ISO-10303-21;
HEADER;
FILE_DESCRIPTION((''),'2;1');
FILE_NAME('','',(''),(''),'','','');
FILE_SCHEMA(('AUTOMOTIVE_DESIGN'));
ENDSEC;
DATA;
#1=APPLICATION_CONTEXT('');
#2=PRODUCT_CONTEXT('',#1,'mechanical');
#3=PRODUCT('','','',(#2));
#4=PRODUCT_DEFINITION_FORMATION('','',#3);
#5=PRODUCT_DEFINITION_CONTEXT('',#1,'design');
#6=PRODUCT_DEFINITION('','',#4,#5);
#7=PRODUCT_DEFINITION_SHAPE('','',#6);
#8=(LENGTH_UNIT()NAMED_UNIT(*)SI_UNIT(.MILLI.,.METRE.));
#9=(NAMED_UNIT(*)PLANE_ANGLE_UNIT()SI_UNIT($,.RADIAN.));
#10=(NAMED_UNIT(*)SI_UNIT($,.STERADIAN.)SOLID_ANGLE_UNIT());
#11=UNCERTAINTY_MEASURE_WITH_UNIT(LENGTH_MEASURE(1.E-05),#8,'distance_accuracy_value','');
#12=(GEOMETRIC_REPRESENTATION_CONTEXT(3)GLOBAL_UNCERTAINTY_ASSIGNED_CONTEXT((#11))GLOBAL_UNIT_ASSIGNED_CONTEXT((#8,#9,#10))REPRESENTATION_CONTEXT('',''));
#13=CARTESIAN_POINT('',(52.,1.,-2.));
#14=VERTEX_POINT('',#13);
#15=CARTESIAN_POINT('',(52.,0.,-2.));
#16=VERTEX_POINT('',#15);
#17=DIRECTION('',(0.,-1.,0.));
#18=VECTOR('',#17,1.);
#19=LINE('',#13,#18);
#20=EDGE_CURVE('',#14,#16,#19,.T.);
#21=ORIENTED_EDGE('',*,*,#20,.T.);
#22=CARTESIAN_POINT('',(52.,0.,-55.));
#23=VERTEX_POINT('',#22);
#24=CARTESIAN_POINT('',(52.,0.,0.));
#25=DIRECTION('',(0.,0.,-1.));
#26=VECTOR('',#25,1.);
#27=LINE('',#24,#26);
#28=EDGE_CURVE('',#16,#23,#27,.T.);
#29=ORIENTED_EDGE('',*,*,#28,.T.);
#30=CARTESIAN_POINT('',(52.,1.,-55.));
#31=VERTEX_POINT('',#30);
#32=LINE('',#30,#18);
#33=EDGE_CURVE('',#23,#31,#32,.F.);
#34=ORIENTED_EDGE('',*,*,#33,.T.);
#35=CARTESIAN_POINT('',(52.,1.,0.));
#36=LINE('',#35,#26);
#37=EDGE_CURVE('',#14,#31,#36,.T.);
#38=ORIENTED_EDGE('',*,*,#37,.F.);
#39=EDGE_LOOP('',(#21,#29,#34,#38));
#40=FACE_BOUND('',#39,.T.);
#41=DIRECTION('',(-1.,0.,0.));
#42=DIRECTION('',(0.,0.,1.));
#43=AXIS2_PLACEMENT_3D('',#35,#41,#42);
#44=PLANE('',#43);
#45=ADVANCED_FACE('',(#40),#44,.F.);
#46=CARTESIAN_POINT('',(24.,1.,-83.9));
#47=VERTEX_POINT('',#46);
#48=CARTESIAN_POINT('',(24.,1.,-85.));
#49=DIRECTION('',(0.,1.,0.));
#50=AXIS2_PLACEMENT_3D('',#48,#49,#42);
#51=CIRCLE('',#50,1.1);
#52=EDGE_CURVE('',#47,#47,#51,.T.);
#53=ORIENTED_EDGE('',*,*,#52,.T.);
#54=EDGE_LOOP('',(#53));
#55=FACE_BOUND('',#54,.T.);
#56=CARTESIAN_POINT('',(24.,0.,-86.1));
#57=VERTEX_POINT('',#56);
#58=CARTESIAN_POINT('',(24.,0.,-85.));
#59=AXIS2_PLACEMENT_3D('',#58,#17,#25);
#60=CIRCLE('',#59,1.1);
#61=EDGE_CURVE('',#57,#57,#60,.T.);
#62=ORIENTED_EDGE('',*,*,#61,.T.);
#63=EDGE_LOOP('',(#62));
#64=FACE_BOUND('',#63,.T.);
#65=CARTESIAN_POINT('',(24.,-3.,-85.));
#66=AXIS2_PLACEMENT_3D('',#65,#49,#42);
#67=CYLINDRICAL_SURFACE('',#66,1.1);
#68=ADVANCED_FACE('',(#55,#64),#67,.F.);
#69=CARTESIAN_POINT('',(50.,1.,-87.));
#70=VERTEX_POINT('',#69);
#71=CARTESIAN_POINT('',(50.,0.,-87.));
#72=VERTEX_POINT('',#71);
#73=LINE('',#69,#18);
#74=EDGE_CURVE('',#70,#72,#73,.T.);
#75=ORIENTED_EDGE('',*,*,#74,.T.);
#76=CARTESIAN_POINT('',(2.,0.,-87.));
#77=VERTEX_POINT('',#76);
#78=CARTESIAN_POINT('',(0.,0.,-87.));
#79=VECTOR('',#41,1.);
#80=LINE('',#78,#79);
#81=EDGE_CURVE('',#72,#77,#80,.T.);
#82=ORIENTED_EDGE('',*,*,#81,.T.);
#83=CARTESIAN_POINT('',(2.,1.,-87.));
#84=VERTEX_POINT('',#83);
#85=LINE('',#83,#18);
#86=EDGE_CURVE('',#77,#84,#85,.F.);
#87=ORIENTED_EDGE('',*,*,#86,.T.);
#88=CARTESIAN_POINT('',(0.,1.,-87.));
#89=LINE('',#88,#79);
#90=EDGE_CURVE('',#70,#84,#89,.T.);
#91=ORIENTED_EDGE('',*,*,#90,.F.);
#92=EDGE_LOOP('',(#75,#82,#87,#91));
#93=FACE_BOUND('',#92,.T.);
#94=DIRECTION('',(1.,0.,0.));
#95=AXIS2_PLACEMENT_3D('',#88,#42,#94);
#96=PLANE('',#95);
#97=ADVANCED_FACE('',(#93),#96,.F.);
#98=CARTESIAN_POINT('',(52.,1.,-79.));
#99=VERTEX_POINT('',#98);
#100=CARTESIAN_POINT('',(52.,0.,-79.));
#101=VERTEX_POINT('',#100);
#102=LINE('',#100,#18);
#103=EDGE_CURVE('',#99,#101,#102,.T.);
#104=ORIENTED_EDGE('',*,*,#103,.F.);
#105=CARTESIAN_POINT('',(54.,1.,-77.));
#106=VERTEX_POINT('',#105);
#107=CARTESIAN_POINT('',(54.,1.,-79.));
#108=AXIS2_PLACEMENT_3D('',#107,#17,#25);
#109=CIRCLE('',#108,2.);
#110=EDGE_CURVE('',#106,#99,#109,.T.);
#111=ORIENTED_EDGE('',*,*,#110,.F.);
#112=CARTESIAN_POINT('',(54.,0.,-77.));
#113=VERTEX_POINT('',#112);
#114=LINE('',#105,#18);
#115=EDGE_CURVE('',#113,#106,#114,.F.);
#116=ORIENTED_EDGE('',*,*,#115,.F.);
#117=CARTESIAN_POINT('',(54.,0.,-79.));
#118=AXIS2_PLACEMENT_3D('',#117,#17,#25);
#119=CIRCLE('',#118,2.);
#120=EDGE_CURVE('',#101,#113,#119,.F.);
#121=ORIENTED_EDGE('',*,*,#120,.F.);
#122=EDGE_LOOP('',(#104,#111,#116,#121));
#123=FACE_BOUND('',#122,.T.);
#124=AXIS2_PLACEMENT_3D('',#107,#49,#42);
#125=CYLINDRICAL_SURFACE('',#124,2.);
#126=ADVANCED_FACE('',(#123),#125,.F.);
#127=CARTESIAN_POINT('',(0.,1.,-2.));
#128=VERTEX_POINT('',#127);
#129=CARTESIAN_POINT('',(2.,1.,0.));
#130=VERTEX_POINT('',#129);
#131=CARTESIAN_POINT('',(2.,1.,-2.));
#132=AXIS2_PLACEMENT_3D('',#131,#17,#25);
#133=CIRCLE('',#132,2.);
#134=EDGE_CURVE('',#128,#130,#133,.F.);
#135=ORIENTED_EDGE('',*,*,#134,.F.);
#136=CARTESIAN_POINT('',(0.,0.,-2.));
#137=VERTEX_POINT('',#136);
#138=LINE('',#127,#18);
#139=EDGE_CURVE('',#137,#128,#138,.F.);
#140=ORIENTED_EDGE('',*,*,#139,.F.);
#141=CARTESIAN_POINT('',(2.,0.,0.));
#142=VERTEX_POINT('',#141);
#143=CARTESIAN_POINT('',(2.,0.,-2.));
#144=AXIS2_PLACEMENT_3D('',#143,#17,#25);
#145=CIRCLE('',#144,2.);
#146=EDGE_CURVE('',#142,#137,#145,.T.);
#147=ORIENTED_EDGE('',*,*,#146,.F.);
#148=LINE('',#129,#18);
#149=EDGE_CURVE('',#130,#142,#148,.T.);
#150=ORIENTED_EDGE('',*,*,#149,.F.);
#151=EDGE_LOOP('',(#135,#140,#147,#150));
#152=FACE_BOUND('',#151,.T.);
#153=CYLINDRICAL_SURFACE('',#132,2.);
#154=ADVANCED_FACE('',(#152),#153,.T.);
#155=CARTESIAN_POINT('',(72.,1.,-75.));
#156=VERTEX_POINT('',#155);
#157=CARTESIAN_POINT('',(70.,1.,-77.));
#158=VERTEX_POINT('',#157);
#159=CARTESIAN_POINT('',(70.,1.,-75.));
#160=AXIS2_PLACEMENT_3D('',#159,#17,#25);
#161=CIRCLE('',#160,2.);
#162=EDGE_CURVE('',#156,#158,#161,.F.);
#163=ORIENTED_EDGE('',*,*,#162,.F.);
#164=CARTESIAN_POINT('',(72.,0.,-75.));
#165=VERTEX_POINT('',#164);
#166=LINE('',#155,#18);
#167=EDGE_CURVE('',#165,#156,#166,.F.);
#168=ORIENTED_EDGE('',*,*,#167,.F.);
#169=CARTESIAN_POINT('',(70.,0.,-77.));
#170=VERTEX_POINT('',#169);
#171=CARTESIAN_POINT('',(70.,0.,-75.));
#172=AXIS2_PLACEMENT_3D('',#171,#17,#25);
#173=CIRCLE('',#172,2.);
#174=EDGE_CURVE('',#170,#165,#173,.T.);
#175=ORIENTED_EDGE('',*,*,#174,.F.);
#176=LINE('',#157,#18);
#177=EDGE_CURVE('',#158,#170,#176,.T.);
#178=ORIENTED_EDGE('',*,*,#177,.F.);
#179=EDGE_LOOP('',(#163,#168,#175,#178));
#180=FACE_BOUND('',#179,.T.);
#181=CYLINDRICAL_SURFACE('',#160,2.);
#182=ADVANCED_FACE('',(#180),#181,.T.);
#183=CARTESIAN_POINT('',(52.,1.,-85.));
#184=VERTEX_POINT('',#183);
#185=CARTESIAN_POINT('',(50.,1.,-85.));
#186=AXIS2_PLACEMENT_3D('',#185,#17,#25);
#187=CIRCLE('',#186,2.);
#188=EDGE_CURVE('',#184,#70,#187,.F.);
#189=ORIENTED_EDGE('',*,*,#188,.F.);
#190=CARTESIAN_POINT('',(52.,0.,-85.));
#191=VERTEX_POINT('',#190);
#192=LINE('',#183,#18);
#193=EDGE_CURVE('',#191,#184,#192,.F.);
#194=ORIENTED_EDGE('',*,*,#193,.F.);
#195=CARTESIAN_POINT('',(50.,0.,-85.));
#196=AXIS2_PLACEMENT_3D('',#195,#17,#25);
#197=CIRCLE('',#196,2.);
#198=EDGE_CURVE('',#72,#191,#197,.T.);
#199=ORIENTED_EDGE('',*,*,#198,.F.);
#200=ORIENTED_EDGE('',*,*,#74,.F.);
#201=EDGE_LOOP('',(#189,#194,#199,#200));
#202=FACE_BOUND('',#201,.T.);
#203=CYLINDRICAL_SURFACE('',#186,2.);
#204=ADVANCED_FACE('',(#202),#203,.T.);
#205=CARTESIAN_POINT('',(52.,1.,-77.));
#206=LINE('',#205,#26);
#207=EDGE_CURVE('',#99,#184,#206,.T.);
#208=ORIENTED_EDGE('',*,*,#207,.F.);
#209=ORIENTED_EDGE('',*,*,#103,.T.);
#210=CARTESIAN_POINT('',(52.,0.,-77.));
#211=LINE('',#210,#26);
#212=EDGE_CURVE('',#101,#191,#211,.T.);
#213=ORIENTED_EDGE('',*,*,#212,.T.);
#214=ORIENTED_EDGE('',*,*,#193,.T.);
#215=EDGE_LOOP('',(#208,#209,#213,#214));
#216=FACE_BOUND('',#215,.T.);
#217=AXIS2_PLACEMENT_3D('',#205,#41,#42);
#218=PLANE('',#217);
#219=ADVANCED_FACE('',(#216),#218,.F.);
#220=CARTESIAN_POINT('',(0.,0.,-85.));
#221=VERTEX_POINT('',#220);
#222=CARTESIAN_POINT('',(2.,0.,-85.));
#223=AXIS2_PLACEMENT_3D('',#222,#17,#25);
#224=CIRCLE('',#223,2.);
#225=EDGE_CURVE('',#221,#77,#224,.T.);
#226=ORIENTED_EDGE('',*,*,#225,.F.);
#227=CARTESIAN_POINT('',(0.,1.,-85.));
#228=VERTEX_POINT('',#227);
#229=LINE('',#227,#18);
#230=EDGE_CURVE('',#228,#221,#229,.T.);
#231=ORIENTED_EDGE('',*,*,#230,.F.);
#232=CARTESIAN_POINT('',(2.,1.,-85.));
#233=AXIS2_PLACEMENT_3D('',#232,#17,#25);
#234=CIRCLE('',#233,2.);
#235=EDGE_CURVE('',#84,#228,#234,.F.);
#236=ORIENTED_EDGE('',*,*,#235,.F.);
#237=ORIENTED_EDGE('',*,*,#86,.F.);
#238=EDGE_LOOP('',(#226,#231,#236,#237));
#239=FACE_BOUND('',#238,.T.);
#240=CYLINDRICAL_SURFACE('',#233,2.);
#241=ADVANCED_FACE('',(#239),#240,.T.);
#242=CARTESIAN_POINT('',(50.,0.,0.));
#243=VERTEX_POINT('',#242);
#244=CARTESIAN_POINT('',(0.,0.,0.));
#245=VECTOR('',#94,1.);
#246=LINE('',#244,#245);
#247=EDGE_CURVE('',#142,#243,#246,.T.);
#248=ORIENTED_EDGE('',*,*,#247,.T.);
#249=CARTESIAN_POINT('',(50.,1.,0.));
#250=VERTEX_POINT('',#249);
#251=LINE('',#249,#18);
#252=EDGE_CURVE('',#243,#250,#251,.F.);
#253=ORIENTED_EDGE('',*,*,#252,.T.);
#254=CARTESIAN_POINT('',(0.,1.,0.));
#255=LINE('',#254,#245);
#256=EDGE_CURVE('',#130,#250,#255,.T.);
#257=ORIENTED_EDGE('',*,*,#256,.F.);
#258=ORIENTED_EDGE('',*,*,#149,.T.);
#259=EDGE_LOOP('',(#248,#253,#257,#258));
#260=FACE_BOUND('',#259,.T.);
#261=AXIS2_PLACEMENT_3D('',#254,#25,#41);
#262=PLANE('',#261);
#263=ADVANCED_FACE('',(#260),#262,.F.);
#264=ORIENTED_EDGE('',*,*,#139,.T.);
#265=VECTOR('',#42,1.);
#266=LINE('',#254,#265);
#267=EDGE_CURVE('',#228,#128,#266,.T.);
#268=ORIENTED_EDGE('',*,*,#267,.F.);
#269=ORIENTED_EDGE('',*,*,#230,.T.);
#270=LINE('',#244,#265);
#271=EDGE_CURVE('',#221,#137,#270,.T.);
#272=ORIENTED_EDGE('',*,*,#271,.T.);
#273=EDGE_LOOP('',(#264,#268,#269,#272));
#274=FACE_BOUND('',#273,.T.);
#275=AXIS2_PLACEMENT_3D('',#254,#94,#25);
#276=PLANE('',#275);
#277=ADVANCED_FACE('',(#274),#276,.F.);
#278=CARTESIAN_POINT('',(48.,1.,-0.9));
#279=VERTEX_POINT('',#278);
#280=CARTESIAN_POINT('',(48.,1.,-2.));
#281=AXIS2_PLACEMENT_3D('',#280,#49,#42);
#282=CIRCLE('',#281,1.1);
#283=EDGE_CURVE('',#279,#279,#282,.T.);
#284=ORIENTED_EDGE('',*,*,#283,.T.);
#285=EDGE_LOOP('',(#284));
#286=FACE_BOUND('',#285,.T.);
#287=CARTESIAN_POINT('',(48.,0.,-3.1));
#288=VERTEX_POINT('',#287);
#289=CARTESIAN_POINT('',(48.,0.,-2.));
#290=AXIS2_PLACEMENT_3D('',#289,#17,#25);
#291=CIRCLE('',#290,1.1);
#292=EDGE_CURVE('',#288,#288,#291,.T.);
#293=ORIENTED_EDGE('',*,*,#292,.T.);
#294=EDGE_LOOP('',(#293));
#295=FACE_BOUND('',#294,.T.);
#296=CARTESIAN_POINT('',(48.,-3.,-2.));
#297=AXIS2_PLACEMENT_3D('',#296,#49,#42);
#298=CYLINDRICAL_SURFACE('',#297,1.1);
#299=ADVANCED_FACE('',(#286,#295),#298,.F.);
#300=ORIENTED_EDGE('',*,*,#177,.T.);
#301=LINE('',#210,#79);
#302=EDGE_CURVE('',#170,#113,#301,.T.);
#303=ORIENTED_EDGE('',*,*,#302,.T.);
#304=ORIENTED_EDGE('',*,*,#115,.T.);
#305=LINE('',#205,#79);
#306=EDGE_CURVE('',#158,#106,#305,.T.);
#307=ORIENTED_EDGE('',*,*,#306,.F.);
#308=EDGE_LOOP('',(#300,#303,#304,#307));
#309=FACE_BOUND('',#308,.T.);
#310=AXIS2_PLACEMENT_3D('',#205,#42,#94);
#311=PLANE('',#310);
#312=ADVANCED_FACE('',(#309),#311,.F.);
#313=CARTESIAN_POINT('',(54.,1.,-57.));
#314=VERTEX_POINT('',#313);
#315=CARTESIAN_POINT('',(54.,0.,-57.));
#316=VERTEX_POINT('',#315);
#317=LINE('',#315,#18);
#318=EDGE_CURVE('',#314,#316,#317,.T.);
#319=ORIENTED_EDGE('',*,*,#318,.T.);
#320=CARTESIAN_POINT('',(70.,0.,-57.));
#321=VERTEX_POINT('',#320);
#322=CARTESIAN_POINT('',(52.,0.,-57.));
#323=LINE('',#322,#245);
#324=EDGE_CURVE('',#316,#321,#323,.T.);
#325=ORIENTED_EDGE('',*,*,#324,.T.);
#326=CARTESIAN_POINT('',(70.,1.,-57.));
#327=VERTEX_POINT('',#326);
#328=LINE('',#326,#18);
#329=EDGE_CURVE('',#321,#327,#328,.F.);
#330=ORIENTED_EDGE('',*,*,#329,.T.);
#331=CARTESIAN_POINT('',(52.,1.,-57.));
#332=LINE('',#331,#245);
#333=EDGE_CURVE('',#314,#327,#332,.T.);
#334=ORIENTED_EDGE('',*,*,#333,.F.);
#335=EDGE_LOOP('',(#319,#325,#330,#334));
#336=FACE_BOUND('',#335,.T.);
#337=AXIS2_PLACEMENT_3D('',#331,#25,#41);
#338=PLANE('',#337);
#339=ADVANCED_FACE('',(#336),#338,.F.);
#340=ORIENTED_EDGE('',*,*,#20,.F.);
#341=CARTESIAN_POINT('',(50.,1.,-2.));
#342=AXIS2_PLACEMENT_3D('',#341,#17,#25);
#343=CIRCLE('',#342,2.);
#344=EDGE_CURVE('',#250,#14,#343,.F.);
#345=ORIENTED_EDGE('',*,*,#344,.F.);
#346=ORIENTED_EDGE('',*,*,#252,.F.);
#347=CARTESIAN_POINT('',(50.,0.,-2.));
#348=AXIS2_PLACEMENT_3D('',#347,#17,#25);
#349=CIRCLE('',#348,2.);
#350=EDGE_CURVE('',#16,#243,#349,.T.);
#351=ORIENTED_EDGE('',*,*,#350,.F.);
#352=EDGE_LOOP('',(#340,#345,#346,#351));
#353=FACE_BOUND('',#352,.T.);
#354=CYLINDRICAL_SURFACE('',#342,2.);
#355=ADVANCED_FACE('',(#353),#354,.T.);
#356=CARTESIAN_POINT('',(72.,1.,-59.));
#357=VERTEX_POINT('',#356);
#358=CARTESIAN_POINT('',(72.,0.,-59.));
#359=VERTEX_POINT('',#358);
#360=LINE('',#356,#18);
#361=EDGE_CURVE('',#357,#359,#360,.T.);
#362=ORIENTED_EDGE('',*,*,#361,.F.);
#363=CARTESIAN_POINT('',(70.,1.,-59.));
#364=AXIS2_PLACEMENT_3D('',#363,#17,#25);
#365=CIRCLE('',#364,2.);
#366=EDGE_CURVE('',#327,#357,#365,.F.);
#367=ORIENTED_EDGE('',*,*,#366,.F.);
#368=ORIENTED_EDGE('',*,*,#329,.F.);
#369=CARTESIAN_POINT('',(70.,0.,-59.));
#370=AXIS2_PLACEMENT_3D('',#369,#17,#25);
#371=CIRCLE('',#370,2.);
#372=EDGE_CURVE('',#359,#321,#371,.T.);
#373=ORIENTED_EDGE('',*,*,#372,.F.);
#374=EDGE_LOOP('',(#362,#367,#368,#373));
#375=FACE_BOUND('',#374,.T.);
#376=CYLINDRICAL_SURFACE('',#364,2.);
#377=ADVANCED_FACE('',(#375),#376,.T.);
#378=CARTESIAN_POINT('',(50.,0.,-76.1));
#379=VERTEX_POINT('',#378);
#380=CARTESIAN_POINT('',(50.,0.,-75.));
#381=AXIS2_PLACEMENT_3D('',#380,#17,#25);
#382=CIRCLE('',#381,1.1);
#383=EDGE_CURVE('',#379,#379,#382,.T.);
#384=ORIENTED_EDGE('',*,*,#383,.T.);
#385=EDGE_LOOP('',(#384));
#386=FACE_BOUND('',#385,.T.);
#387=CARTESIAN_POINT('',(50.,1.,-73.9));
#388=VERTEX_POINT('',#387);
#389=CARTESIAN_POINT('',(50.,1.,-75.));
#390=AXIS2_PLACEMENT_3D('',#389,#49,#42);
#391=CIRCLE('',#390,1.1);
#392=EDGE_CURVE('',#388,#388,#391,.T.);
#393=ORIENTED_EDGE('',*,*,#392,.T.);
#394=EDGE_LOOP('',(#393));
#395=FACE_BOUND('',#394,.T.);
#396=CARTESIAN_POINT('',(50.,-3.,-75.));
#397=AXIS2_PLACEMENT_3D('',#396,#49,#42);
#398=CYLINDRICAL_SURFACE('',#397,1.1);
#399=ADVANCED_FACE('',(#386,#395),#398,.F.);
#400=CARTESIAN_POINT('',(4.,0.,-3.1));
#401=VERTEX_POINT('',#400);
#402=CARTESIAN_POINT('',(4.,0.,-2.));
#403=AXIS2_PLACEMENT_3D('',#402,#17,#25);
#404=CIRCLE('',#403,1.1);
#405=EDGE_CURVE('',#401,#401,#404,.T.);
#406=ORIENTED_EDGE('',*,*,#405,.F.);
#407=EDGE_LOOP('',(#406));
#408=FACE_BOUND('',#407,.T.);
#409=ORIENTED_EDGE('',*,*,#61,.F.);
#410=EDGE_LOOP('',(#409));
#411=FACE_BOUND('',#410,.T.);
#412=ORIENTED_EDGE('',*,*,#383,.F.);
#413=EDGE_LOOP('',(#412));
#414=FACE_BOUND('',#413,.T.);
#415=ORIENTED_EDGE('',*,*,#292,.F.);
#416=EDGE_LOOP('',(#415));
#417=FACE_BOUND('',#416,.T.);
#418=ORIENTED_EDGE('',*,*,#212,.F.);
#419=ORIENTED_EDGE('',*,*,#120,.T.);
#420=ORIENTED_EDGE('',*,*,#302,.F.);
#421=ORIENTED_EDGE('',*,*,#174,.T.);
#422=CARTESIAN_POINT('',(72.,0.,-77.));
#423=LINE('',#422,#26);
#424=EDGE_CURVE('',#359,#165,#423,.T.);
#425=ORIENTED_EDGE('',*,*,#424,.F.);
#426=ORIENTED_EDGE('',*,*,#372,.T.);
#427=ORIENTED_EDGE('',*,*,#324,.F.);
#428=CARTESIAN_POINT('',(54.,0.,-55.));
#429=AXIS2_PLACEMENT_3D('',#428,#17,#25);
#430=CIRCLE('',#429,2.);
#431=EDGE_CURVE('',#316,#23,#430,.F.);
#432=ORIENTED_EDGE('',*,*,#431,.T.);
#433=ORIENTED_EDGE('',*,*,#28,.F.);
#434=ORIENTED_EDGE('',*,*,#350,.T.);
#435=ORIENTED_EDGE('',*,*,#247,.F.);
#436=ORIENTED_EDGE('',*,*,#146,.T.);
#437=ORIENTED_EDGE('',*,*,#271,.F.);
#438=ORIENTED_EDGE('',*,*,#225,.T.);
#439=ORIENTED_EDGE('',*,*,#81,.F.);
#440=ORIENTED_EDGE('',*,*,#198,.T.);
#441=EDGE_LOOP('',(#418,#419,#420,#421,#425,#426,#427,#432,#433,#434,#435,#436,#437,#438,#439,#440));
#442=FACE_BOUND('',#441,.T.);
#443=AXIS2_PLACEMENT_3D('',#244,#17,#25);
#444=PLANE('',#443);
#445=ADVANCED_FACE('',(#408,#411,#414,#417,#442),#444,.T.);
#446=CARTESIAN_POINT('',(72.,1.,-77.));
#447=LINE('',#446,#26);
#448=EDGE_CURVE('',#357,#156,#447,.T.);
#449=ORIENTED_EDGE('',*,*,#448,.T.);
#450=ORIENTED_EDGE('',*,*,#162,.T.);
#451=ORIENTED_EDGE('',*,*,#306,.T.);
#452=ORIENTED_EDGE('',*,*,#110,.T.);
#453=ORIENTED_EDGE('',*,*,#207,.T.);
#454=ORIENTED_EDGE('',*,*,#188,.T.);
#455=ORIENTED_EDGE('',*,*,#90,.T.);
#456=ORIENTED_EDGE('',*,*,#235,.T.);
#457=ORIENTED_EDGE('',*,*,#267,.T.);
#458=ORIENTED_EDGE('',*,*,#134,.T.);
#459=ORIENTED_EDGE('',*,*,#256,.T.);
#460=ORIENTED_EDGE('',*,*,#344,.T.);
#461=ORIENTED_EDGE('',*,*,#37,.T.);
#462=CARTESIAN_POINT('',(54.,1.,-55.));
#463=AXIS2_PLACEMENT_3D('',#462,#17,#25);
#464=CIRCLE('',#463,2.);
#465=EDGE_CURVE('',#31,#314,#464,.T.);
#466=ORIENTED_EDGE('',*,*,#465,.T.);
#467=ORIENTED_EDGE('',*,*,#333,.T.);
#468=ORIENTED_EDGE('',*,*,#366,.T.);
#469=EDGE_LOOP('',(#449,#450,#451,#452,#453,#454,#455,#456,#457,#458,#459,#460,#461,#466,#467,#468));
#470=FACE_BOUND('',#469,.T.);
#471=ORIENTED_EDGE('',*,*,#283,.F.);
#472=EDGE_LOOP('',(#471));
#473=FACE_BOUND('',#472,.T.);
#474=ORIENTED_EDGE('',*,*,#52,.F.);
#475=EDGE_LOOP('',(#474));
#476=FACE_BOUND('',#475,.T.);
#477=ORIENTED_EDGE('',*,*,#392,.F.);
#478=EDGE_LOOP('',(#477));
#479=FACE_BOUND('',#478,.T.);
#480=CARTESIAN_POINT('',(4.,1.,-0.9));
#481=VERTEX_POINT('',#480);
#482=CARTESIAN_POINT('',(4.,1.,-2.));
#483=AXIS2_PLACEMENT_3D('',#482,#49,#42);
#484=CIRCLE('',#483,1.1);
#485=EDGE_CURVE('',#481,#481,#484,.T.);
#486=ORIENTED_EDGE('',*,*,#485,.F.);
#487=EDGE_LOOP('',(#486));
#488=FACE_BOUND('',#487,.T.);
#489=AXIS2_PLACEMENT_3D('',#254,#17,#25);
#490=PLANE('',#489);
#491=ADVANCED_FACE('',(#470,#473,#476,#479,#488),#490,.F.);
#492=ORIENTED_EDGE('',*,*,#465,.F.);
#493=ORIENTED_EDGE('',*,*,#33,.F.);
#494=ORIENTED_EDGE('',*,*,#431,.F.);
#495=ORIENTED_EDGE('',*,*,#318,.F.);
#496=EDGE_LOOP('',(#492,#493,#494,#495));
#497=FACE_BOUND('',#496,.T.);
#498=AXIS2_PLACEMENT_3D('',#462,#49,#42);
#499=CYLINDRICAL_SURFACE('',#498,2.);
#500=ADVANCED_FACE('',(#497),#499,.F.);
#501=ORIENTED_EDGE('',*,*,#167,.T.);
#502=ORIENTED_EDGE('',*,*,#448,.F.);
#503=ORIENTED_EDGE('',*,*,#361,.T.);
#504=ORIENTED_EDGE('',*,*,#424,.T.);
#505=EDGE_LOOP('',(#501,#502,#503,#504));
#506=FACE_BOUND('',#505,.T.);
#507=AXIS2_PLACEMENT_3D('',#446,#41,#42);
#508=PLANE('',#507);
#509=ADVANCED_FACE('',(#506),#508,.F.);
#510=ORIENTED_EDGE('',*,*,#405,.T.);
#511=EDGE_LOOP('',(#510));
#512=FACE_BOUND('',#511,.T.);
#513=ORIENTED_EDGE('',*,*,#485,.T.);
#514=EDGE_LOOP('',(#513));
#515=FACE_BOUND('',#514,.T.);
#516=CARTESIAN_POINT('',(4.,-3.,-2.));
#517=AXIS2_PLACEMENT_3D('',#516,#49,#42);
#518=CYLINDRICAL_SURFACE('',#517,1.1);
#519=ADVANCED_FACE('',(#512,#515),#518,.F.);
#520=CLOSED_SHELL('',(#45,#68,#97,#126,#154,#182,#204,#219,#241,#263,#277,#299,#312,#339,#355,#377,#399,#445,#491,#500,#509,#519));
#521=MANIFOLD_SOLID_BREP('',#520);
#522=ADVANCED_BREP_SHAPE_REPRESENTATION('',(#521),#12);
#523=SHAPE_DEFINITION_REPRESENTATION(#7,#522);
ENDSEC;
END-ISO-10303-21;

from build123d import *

# Parameters (mm, degrees)
BOSS_EXTRUDE1_DEPTH = 1
SKETCH2_R           = 1.1
CUT_EXTRUDE1_DEPTH  = 4
FILLET1_R           = 2


with BuildPart() as part:
    # Sketch1 → Boss-Extrude1 (new body)
    with BuildSketch(Plane(origin=(0, 0, 0), x_dir=(1, 0, 0), z_dir=(0, 1, 0))):
        Polygon((52, 77), (52, 87), (0, 87), (0, 0), (52, 0), (52, 57), (72, 57), (72, 77), align=None)
    extrude(amount=BOSS_EXTRUDE1_DEPTH)

    # Sketch2 → Cut-Extrude1 (cut)
    with BuildSketch(Plane(origin=(0, 1, 0), x_dir=(1, 0, 0), z_dir=(0, 1, 0))):
        with Locations((4, 2)):
            Circle(SKETCH2_R)
        with Locations((48, 2)):
            Circle(SKETCH2_R)
        with Locations((24, 85)):
            Circle(SKETCH2_R)
        with Locations((50, 75)):
            Circle(SKETCH2_R)
    extrude(amount=-CUT_EXTRUDE1_DEPTH, mode=Mode.SUBTRACT)

    # Fillet1
    fillet1_edges = [part.edges().sort_by_distance(p)[0] for p in [
        (0, 0.5, -87),
        (52, 0.5, -87),
        (52, 0.5, -77),
        (72, 0.5, -77),
        (72, 0.5, -57),
        (52, 0.5, -57),
        (52, 0.5, 0),
        (0, 0.5, 0),
    ]]
    fillet(fillet1_edges, radius=FILLET1_R)


solid = part.part
